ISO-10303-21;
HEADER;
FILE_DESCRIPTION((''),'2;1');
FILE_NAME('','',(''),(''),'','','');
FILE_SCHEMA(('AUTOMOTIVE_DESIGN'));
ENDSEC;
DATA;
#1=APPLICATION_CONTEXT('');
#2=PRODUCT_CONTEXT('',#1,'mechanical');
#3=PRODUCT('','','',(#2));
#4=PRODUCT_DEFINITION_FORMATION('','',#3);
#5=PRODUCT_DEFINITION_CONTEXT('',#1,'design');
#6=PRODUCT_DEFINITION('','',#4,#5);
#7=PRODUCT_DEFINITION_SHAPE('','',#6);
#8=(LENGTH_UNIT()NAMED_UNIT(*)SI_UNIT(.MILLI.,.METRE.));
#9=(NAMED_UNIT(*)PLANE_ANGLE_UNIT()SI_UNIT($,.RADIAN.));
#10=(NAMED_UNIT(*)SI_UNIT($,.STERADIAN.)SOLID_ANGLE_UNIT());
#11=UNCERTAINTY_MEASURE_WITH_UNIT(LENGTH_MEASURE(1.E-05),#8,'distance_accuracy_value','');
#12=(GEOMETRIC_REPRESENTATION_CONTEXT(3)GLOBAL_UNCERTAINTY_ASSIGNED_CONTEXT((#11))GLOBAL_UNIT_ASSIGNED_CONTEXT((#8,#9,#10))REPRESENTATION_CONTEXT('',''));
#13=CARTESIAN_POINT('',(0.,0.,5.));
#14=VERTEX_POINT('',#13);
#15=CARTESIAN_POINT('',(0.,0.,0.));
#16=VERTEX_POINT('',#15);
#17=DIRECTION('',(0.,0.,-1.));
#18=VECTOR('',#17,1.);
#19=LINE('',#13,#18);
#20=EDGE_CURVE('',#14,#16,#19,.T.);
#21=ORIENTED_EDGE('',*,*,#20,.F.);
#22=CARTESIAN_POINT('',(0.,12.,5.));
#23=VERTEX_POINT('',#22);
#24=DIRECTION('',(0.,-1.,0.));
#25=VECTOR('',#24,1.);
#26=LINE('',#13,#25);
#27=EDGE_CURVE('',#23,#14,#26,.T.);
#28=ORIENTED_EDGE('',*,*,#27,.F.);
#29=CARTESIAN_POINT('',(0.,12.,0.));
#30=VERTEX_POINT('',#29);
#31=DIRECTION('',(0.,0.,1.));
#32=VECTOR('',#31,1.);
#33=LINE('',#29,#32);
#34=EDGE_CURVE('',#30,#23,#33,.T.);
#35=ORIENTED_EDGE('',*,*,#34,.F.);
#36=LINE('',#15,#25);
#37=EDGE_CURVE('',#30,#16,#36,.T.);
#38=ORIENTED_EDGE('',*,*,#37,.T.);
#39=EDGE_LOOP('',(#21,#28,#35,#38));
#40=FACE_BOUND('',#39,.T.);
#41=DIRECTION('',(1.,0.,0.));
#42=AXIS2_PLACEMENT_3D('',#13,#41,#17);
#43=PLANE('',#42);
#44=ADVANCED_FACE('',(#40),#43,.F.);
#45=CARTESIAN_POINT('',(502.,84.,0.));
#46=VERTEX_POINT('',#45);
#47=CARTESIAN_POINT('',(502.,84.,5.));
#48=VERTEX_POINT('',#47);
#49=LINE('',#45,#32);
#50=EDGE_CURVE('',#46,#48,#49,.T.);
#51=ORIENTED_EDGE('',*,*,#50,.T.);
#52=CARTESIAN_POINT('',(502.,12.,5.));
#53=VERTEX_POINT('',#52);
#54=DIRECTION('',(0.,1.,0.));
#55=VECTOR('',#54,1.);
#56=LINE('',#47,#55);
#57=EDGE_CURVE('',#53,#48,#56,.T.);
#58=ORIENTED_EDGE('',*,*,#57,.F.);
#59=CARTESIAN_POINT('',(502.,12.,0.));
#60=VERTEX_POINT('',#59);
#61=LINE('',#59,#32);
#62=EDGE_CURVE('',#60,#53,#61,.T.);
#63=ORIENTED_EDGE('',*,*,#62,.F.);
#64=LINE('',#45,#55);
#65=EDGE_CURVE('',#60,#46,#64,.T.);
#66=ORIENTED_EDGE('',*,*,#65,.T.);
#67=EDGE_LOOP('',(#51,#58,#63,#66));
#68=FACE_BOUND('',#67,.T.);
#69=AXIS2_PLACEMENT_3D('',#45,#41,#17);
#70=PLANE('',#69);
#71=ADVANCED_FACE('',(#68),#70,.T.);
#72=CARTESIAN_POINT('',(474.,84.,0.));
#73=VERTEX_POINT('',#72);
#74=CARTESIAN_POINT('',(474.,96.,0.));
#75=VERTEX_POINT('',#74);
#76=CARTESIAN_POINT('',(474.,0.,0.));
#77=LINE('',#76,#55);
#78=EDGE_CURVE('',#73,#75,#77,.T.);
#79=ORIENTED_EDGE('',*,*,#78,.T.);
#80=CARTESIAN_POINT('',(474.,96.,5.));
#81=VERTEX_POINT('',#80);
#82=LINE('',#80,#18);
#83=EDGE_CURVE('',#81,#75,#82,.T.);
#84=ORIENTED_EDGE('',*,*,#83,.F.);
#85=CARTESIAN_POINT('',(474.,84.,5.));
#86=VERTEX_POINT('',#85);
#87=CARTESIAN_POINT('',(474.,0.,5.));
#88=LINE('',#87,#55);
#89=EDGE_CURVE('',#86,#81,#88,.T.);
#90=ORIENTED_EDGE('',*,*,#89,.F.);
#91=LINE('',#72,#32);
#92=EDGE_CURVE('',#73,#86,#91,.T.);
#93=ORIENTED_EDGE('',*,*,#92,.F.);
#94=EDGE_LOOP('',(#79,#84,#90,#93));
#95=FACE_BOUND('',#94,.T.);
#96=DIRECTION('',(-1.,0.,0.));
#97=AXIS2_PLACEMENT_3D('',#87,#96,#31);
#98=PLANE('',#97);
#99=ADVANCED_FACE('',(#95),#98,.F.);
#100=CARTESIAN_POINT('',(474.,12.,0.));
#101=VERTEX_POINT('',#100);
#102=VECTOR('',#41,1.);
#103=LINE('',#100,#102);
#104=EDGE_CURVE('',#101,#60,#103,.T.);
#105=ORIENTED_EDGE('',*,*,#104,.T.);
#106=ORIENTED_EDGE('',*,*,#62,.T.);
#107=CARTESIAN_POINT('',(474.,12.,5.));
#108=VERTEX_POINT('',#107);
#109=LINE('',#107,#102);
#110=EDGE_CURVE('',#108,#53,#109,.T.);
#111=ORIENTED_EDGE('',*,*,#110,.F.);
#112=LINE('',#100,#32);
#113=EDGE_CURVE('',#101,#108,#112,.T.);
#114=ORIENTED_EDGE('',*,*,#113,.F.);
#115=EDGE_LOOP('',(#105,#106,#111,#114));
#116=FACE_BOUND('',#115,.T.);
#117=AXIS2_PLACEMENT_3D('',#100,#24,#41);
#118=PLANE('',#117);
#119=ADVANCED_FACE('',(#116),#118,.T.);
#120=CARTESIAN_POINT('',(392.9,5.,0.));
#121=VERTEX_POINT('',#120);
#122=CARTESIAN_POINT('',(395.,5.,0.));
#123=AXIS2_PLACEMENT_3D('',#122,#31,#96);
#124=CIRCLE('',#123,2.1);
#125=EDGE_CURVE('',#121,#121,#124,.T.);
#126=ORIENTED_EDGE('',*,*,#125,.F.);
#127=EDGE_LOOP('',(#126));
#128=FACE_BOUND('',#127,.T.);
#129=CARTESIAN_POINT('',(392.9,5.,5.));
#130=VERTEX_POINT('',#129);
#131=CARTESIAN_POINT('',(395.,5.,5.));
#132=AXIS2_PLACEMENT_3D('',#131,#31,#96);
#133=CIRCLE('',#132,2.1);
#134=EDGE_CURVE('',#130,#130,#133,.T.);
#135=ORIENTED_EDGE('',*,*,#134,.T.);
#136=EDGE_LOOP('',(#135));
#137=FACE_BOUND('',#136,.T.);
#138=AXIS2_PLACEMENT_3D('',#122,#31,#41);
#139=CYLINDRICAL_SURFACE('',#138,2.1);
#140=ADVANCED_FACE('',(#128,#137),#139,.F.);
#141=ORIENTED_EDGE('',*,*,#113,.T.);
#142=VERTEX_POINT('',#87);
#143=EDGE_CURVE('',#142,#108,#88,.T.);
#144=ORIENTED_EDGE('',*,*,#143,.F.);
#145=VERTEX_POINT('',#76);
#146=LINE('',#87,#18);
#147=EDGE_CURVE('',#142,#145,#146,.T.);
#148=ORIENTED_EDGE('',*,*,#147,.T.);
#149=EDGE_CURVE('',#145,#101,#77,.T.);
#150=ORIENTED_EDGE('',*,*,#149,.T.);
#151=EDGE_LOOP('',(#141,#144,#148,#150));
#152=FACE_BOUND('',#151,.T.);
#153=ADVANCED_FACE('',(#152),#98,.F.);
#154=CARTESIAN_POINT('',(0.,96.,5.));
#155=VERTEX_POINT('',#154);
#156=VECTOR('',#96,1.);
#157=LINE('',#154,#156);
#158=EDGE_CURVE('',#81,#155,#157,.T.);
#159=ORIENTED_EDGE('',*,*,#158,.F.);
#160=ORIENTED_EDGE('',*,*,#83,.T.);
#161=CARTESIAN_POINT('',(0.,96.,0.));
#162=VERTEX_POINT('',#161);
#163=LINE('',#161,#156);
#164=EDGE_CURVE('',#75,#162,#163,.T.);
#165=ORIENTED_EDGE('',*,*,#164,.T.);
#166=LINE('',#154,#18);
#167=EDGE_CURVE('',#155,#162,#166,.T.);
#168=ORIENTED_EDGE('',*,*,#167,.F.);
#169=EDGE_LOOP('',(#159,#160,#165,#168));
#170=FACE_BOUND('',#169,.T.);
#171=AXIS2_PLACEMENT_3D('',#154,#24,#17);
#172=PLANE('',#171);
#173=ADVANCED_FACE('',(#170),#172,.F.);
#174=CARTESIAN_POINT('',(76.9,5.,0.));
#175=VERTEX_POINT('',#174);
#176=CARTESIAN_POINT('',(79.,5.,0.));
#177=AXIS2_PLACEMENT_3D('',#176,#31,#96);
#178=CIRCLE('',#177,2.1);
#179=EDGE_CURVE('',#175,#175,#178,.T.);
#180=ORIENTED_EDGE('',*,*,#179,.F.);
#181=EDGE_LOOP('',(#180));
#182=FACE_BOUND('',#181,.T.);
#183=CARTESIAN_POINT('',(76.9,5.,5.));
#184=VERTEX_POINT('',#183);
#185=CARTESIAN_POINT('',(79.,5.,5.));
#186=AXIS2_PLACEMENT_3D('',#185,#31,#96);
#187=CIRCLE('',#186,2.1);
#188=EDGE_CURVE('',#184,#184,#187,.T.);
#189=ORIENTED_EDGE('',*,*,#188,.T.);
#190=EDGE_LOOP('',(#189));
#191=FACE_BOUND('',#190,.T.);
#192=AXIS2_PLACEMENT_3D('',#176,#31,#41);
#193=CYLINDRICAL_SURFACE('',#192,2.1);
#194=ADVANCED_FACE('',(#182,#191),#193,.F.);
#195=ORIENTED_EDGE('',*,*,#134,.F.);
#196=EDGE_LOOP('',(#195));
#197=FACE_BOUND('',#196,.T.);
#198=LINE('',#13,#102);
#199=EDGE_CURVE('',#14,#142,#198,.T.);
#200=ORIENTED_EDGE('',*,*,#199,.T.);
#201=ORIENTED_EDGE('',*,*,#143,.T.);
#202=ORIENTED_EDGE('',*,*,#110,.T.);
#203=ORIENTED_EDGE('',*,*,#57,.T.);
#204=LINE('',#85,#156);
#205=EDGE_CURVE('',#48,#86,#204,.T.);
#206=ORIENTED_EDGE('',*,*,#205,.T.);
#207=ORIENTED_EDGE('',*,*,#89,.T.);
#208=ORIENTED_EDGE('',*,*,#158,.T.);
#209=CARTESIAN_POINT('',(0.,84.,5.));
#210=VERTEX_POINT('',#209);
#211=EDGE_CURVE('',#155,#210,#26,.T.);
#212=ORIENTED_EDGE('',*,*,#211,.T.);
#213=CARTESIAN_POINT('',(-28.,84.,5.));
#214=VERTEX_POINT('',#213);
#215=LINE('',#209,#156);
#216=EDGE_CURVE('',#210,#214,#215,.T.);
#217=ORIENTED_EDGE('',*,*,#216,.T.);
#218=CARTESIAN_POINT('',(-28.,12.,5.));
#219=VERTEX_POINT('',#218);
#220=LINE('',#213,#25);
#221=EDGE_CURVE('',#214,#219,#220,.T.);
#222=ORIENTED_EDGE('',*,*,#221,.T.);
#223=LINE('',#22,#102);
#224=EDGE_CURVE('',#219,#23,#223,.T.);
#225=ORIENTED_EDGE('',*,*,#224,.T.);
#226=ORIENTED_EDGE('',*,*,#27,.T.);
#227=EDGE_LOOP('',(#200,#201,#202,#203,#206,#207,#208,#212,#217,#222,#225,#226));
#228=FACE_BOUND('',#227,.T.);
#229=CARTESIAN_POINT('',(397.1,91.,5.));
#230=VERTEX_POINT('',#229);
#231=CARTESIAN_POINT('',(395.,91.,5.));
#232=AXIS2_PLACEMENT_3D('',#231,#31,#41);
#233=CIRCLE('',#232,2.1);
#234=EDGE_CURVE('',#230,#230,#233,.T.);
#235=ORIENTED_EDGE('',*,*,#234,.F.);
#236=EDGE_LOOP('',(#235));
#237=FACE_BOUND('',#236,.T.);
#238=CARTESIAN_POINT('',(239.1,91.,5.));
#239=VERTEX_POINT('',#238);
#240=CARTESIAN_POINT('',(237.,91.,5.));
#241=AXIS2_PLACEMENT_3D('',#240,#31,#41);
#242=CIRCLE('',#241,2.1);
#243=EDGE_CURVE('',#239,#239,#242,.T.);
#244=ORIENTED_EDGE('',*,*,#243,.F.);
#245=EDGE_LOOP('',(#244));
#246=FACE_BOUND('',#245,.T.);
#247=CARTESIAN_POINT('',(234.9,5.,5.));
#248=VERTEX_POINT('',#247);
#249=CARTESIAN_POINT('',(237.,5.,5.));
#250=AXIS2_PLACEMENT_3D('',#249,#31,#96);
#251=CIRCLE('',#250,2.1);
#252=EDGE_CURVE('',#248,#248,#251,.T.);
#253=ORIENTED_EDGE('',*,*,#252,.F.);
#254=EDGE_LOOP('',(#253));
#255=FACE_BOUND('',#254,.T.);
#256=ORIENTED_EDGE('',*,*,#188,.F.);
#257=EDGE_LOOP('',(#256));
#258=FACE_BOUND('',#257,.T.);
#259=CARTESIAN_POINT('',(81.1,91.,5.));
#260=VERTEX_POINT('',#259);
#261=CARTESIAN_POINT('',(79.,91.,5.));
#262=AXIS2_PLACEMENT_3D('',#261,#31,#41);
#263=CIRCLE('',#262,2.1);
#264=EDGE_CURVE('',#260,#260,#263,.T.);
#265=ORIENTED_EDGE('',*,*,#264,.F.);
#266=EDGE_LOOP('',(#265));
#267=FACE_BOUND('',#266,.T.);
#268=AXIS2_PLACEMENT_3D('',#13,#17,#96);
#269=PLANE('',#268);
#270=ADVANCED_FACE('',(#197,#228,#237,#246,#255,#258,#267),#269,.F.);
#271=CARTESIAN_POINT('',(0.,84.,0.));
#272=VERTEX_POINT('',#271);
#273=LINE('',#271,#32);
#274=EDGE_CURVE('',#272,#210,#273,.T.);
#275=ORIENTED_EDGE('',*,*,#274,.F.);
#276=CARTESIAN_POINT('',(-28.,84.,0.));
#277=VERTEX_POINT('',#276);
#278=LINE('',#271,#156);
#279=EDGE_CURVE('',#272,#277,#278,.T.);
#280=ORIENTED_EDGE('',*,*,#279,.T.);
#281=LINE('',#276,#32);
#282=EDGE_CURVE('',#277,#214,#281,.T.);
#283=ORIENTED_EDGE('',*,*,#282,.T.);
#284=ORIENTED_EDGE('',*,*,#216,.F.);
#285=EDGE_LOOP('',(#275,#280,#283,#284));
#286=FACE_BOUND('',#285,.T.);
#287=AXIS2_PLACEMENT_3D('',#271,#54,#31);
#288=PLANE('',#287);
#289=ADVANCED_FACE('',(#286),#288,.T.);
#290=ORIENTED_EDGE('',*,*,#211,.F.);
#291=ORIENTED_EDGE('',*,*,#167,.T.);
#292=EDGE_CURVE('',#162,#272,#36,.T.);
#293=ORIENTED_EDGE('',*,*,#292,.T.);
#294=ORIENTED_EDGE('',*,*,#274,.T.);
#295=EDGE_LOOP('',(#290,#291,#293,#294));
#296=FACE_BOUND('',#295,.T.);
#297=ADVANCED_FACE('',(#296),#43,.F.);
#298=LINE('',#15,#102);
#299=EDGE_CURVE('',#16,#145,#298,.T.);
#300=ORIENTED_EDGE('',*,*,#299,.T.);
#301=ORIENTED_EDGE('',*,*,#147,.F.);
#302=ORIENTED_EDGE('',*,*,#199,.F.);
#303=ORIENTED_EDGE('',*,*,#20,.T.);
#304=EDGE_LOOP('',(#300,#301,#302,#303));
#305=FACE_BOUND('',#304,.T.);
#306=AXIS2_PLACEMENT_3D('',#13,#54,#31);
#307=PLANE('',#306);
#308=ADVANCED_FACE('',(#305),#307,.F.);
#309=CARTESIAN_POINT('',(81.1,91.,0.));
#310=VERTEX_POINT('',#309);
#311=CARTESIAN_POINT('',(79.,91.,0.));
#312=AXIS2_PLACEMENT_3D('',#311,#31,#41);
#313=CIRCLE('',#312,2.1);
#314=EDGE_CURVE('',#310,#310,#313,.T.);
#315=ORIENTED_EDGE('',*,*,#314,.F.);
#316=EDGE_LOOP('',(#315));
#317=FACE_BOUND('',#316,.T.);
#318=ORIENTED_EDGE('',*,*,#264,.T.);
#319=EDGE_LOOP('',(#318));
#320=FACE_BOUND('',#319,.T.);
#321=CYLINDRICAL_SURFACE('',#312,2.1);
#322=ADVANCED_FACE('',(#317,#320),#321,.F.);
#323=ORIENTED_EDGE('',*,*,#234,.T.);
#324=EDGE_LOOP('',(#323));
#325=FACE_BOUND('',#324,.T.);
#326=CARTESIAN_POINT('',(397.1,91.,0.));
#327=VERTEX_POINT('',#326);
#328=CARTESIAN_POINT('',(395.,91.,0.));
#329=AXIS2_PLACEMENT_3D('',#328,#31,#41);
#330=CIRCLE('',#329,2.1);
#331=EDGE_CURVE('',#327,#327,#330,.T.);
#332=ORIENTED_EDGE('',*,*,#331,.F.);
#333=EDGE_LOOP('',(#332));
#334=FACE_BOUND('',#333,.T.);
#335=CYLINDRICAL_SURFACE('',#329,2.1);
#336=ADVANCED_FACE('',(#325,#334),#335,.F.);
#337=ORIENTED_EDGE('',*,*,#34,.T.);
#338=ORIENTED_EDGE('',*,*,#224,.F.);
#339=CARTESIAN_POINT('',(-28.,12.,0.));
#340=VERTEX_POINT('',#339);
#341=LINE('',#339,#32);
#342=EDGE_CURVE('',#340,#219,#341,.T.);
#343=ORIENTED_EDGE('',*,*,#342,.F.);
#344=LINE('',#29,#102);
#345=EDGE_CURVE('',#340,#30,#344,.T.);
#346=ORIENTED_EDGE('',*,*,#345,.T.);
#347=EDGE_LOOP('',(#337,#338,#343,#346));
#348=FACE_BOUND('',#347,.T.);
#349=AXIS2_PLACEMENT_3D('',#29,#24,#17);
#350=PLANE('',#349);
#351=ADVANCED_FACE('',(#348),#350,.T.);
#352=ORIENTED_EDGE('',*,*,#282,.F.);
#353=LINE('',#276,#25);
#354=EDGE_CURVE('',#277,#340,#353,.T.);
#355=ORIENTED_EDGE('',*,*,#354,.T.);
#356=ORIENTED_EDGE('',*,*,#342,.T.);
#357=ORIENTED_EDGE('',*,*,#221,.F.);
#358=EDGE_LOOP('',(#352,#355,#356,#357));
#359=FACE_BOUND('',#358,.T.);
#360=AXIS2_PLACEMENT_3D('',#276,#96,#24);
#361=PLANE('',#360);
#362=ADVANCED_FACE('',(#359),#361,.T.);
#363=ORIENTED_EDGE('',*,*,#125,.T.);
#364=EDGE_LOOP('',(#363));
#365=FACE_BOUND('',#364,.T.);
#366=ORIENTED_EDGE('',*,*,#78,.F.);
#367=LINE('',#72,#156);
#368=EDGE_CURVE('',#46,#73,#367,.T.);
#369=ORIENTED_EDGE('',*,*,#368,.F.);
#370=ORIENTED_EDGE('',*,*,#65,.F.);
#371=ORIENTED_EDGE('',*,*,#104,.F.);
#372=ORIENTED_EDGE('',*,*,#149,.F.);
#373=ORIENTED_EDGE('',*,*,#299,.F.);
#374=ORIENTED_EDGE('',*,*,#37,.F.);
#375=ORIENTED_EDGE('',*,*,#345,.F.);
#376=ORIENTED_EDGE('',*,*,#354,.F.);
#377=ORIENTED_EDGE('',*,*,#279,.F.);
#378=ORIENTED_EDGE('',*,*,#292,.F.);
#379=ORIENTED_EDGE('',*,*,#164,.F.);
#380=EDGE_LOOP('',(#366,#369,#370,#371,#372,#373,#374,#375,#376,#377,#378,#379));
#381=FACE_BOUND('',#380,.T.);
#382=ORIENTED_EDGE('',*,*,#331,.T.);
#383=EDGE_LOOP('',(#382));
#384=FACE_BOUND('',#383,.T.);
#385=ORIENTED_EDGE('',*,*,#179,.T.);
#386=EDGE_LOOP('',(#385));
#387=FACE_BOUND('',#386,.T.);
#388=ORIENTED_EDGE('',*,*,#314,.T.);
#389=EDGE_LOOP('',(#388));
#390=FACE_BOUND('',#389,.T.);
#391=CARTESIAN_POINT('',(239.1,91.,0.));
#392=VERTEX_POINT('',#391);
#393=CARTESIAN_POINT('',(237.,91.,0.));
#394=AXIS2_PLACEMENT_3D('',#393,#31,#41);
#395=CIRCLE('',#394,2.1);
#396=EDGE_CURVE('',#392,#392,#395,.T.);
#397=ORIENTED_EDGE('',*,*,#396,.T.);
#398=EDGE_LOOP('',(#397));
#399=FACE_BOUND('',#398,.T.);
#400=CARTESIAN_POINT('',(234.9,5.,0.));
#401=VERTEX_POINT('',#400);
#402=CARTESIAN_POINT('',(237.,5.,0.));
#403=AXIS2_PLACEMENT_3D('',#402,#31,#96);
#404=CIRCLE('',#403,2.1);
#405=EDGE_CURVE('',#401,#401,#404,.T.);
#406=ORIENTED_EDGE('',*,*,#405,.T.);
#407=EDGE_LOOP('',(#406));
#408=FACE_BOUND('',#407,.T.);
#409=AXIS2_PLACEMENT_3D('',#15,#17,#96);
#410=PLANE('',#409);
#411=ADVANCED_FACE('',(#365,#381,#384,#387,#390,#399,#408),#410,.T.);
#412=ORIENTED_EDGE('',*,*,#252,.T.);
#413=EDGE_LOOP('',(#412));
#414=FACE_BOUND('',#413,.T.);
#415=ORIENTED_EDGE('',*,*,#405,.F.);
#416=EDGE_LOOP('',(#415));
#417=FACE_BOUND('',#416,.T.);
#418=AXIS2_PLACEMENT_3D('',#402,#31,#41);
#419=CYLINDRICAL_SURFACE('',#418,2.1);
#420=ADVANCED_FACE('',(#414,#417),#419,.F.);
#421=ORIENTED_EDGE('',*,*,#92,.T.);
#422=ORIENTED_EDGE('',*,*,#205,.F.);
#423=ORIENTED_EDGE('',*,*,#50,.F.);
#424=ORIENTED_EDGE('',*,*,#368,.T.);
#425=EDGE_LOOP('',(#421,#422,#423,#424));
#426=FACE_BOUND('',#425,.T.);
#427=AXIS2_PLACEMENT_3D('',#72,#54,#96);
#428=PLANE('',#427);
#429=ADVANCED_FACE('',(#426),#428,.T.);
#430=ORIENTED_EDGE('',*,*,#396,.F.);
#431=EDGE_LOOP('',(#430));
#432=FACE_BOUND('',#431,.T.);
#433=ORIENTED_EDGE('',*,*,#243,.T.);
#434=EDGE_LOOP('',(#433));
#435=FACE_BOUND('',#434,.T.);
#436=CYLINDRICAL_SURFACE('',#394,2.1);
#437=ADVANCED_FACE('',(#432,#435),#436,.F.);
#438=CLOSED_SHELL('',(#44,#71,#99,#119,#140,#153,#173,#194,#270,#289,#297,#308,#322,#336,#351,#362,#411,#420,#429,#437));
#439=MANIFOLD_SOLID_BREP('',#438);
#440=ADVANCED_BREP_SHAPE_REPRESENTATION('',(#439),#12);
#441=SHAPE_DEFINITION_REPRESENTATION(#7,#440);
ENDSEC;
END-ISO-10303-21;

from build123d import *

# Parameters (mm, degrees)
SKETCH1_W           = 474
SKETCH1_H           = 96
BOSS_EXTRUDE1_DEPTH = 5
SKETCH2_R           = 2.1
CUT_EXTRUDE1_DEPTH  = 5
SKETCH3_W           = 28
SKETCH3_H           = 72
BOSS_EXTRUDE2_DEPTH = 5


with BuildPart() as part:
    # Sketch1 → Boss-Extrude1 (new body)
    with BuildSketch(Plane.XY):
        with Locations((237, 48)):
            Rectangle(SKETCH1_W, SKETCH1_H)
    extrude(amount=BOSS_EXTRUDE1_DEPTH)

    # Sketch2 → Cut-Extrude1 (cut)
    with BuildSketch(Plane.XY.offset(5)):
        with Locations((79, 91)):
            Circle(SKETCH2_R)
        with Locations((237, 91)):
            Circle(SKETCH2_R)
        with Locations((395, 91)):
            Circle(SKETCH2_R)
        with Locations(Location((395, 5, 0), (0, 0, 180))):
            Circle(SKETCH2_R)
        with Locations(Location((237, 5, 0), (0, 0, 180))):
            Circle(SKETCH2_R)
        with Locations(Location((79, 5, 0), (0, 0, 180))):
            Circle(SKETCH2_R)
    extrude(amount=-CUT_EXTRUDE1_DEPTH, mode=Mode.SUBTRACT)

    # Sketch3 → Boss-Extrude2 (add)
    with BuildSketch(Plane.XY.offset(5)):
        with Locations((488, 48)):
            Rectangle(SKETCH3_W, SKETCH3_H)
        with Locations((-14, 48)):
            Rectangle(SKETCH3_W, SKETCH3_H)
    extrude(amount=-BOSS_EXTRUDE2_DEPTH)


solid = part.part
